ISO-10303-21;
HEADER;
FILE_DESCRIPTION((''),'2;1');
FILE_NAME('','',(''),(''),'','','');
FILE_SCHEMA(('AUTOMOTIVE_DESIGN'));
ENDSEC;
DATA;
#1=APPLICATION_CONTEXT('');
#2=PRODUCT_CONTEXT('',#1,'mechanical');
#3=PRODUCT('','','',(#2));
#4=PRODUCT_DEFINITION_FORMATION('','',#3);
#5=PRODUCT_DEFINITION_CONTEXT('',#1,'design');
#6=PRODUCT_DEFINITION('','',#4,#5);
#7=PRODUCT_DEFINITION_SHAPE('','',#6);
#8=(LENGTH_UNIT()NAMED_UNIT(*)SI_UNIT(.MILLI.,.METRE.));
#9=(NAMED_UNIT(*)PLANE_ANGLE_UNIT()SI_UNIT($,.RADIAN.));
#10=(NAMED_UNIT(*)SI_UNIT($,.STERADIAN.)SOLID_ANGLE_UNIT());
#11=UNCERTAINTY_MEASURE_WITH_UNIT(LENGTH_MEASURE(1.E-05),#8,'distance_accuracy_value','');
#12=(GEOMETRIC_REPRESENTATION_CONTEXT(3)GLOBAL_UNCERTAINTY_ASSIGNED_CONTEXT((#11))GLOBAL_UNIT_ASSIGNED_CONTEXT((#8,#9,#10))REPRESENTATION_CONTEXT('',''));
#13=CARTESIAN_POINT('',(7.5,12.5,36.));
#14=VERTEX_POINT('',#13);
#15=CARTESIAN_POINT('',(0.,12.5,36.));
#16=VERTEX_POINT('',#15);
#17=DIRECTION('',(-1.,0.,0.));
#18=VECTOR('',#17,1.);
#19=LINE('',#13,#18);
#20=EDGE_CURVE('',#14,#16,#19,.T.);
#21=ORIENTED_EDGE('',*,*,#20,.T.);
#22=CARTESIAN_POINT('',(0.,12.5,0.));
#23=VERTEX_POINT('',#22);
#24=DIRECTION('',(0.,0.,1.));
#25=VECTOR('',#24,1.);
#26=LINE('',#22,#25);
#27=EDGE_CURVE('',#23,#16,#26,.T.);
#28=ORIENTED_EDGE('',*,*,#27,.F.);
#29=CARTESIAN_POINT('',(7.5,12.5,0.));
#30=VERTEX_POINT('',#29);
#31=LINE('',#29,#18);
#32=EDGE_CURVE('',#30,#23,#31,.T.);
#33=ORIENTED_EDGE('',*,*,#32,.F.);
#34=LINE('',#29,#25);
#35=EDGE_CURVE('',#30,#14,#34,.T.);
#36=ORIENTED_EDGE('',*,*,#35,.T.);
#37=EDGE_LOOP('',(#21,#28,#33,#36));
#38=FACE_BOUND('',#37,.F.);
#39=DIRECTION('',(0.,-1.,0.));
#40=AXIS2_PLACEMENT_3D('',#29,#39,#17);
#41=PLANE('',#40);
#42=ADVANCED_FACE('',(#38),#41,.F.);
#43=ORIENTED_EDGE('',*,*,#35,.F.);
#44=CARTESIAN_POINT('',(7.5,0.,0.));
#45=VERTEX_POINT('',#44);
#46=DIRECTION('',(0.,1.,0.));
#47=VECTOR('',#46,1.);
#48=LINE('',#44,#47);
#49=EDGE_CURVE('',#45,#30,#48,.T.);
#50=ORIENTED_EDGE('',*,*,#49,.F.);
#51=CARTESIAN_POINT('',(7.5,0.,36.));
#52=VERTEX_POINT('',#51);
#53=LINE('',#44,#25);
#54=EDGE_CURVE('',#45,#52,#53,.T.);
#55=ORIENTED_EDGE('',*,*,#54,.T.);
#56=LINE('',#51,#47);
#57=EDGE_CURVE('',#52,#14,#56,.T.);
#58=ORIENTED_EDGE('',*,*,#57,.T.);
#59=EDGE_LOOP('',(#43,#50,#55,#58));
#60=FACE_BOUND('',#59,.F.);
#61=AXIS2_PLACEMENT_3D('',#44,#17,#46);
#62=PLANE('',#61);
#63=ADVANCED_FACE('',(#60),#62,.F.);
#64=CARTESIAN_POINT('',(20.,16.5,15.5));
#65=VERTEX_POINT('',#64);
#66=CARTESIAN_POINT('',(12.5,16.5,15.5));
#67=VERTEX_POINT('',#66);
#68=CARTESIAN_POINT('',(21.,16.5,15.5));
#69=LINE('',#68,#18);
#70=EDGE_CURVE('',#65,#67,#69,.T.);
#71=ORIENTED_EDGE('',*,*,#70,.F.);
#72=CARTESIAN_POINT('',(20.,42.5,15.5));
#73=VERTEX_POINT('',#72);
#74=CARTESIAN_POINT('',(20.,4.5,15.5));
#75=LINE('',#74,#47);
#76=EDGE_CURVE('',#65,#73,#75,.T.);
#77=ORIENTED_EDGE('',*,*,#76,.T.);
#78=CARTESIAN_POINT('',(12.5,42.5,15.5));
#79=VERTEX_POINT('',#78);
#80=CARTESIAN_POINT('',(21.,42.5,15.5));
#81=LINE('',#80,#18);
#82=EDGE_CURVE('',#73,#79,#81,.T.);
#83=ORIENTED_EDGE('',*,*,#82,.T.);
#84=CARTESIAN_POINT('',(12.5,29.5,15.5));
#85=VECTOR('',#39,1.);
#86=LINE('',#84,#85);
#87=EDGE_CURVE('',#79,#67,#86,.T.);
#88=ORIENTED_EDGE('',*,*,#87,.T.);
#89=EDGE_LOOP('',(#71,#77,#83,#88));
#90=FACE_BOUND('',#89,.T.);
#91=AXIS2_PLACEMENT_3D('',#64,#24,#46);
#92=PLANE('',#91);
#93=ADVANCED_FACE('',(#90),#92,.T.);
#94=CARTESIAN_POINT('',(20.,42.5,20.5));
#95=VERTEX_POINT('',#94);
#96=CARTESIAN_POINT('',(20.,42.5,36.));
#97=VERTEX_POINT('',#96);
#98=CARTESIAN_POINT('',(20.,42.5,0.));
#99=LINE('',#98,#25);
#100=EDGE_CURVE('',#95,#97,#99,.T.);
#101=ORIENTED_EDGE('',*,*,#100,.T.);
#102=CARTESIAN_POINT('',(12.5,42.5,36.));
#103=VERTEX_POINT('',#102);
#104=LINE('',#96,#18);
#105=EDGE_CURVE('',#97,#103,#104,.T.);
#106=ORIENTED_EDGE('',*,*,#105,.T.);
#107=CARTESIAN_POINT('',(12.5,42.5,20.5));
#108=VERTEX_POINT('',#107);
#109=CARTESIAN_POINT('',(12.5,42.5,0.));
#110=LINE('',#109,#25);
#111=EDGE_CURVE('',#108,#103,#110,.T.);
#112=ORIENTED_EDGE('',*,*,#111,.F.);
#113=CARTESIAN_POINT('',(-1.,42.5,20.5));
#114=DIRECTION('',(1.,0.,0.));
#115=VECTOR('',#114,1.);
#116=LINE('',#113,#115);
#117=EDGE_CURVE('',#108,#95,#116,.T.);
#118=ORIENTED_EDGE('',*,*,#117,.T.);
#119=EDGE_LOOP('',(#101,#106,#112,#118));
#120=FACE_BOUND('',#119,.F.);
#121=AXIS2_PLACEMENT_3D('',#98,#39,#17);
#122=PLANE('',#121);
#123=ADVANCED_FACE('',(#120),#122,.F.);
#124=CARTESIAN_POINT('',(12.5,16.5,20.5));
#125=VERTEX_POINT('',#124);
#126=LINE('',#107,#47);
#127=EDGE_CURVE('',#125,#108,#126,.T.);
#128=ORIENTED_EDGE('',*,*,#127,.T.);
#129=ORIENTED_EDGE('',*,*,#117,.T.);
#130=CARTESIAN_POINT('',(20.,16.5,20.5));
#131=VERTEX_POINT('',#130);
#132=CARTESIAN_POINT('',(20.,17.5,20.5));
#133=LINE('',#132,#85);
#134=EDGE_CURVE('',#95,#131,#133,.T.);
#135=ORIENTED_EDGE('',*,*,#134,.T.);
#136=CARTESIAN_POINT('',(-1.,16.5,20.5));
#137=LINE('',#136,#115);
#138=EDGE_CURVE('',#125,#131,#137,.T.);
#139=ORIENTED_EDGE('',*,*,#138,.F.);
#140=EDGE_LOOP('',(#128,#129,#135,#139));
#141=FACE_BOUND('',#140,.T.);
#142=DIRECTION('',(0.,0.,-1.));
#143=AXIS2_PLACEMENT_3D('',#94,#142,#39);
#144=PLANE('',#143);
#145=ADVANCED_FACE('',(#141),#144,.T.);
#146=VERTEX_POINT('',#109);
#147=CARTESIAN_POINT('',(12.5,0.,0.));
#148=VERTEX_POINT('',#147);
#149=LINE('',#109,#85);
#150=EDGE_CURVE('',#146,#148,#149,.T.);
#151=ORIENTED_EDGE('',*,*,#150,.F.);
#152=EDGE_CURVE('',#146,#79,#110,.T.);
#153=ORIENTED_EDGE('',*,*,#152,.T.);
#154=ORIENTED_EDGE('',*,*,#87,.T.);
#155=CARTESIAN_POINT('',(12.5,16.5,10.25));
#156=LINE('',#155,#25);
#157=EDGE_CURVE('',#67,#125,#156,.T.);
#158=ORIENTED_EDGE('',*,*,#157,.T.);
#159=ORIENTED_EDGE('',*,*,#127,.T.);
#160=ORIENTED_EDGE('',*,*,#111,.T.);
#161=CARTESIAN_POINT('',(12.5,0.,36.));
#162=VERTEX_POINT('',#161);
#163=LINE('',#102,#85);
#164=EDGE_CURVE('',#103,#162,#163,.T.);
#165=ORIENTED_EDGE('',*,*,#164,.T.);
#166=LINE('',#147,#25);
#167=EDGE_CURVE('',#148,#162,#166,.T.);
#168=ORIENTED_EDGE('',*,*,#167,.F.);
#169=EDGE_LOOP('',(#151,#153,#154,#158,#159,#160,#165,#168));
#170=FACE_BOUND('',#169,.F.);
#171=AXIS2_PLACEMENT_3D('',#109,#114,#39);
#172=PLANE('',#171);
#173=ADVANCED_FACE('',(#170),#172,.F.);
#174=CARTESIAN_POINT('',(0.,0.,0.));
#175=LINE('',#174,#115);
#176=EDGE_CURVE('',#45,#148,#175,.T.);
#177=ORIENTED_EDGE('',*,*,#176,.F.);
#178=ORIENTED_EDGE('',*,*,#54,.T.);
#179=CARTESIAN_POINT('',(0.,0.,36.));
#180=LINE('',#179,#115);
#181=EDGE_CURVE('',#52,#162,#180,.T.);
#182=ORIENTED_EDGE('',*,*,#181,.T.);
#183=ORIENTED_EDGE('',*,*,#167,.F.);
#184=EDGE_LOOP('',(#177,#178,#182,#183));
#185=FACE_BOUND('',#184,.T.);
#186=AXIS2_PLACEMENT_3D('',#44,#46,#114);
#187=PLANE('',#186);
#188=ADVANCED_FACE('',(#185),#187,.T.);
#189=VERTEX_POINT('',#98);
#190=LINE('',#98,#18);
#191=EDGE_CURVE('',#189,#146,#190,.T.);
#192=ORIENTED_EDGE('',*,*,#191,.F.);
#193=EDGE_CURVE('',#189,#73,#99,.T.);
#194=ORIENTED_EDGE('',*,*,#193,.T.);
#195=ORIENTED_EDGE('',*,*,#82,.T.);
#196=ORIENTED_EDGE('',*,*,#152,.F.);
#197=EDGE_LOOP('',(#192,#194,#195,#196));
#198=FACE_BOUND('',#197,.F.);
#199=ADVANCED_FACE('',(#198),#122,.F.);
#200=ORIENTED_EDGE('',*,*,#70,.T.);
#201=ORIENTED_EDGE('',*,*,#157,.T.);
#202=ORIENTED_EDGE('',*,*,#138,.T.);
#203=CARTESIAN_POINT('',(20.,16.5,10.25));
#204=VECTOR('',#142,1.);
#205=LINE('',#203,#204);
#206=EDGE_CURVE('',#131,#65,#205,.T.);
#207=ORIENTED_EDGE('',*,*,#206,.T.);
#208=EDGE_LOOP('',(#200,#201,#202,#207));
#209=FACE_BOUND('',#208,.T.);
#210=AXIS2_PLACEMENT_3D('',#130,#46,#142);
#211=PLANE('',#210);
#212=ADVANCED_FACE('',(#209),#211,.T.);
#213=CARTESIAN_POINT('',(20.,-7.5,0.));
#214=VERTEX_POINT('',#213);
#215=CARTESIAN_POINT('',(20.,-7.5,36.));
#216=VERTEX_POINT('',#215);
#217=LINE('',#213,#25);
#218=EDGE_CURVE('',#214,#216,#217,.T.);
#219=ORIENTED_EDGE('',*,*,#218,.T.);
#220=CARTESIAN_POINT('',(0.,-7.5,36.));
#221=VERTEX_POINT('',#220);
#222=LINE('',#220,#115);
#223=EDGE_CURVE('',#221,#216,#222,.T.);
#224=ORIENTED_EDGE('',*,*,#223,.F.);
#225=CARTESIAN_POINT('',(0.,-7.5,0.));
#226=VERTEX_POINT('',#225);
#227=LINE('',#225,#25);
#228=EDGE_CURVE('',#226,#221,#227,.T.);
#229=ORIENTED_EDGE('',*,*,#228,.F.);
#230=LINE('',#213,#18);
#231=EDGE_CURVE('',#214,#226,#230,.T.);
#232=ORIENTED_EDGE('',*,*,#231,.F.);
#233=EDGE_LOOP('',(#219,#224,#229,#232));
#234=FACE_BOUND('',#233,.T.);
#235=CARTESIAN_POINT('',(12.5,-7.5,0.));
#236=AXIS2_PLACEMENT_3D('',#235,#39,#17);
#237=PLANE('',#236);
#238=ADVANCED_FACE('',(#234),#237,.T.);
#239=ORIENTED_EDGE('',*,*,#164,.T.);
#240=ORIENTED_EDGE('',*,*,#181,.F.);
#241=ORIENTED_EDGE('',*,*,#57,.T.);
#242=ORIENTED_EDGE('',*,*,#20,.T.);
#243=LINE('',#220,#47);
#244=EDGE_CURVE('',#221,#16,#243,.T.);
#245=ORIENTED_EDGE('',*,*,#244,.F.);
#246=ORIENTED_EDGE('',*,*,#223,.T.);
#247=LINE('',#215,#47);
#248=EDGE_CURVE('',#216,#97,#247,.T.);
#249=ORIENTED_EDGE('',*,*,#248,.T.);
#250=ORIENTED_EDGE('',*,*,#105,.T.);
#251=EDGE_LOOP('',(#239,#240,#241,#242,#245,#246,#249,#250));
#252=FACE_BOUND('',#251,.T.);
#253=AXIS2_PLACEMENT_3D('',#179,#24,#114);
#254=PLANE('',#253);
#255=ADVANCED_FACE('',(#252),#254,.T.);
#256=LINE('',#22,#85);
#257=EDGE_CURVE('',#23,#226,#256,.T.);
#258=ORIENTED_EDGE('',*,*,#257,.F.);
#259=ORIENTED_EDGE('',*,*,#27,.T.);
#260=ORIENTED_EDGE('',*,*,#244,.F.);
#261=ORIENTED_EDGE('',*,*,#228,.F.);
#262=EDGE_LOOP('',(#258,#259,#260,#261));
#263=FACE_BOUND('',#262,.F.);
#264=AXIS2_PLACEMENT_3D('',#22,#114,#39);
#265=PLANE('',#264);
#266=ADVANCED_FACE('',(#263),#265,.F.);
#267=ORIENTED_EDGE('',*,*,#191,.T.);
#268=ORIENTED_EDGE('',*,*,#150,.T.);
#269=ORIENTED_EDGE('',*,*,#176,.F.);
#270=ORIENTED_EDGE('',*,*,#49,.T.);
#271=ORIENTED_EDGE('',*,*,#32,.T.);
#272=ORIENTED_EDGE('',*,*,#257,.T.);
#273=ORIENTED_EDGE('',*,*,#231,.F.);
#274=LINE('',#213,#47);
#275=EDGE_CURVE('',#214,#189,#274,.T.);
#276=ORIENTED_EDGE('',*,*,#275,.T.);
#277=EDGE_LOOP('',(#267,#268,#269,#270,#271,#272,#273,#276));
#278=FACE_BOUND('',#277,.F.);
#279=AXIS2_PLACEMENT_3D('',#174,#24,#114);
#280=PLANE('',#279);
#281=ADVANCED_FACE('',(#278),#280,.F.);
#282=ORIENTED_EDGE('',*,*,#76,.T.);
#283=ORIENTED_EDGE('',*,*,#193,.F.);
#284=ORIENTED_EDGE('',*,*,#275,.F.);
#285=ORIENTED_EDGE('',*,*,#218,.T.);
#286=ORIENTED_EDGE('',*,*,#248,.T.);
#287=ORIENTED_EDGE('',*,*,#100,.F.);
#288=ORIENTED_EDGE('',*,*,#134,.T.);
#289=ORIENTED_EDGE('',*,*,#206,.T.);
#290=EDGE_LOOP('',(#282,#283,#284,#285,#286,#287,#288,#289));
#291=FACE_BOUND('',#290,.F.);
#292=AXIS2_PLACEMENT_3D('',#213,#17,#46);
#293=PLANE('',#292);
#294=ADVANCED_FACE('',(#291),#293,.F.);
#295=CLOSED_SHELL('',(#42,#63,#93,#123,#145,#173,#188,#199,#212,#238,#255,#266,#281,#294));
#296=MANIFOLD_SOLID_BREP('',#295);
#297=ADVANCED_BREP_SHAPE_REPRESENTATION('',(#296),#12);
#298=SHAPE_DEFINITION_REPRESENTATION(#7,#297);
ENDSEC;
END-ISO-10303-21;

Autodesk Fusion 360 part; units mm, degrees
sketch "Sketch1" plane through (0, 0, 0) normal (0, 0, 1) x (1, 0, 0)
  line L0 (0, 0) -> (7.5, 0)
  line L1 (7.5, 0) -> (7.5, 12.5)
  line L2 (7.5, 12.5) -> (0, 12.5)
  line L3 (0, 12.5) -> (0, 0)
  line L4 (0, 0) -> (12.5, 0)
  line L5 (12.5, 0) -> (12.5, -7.5)
  line L6 (12.5, -7.5) -> (0, -7.5)
  line L7 (0, -7.5) -> (0, 0)
  line L8 (12.5, -7.5) -> (20, -7.5)
  line L9 (20, -7.5) -> (20, 42.5)
  line L10 (20, 42.5) -> (12.5, 42.5)
  line L11 (12.5, 42.5) -> (12.5, -7.5)
  dimension "d1" = 12.5
  dimension "d2" = 50
  dimension "d3" = 7.5
  dimension "d4" = 7.5
  dimension "d5" = 7.5
  dimension "d6" = 12.5
extrude "Extrude1" add sketch "Sketch1" along normal blind 36
sketch "Sketch2" plane through (20, 0, 0) normal (1, 0, 0) x (0, 1, 0)
  line L0 (-7.5, 36) -> (42.5, 36)
  line L1 (42.5, 36) -> (42.5, 0)
  line L2 (42.5, 0) -> (-7.5, 0)
  line L3 (-7.5, 0) -> (-7.5, 36)
  line L4 (42.5, 20.5) -> (16.5, 20.5)
  line L5 (16.5, 20.5) -> (16.5, 15.5)
  line L6 (16.5, 15.5) -> (42.5, 15.5)
  line L7 (42.5, 15.5) -> (42.5, 20.5)
  dimension "d13" = 15.5
  dimension "d14" = 15.5
  dimension "d16" = 24
  dimension "d17" = 50
  dimension "d19" = 36
  dimension "d21" = 5
extrude "Extrude2" cut sketch "Sketch2" along normal through all and the other way through all contours L1 L4 L5 L6 L7
